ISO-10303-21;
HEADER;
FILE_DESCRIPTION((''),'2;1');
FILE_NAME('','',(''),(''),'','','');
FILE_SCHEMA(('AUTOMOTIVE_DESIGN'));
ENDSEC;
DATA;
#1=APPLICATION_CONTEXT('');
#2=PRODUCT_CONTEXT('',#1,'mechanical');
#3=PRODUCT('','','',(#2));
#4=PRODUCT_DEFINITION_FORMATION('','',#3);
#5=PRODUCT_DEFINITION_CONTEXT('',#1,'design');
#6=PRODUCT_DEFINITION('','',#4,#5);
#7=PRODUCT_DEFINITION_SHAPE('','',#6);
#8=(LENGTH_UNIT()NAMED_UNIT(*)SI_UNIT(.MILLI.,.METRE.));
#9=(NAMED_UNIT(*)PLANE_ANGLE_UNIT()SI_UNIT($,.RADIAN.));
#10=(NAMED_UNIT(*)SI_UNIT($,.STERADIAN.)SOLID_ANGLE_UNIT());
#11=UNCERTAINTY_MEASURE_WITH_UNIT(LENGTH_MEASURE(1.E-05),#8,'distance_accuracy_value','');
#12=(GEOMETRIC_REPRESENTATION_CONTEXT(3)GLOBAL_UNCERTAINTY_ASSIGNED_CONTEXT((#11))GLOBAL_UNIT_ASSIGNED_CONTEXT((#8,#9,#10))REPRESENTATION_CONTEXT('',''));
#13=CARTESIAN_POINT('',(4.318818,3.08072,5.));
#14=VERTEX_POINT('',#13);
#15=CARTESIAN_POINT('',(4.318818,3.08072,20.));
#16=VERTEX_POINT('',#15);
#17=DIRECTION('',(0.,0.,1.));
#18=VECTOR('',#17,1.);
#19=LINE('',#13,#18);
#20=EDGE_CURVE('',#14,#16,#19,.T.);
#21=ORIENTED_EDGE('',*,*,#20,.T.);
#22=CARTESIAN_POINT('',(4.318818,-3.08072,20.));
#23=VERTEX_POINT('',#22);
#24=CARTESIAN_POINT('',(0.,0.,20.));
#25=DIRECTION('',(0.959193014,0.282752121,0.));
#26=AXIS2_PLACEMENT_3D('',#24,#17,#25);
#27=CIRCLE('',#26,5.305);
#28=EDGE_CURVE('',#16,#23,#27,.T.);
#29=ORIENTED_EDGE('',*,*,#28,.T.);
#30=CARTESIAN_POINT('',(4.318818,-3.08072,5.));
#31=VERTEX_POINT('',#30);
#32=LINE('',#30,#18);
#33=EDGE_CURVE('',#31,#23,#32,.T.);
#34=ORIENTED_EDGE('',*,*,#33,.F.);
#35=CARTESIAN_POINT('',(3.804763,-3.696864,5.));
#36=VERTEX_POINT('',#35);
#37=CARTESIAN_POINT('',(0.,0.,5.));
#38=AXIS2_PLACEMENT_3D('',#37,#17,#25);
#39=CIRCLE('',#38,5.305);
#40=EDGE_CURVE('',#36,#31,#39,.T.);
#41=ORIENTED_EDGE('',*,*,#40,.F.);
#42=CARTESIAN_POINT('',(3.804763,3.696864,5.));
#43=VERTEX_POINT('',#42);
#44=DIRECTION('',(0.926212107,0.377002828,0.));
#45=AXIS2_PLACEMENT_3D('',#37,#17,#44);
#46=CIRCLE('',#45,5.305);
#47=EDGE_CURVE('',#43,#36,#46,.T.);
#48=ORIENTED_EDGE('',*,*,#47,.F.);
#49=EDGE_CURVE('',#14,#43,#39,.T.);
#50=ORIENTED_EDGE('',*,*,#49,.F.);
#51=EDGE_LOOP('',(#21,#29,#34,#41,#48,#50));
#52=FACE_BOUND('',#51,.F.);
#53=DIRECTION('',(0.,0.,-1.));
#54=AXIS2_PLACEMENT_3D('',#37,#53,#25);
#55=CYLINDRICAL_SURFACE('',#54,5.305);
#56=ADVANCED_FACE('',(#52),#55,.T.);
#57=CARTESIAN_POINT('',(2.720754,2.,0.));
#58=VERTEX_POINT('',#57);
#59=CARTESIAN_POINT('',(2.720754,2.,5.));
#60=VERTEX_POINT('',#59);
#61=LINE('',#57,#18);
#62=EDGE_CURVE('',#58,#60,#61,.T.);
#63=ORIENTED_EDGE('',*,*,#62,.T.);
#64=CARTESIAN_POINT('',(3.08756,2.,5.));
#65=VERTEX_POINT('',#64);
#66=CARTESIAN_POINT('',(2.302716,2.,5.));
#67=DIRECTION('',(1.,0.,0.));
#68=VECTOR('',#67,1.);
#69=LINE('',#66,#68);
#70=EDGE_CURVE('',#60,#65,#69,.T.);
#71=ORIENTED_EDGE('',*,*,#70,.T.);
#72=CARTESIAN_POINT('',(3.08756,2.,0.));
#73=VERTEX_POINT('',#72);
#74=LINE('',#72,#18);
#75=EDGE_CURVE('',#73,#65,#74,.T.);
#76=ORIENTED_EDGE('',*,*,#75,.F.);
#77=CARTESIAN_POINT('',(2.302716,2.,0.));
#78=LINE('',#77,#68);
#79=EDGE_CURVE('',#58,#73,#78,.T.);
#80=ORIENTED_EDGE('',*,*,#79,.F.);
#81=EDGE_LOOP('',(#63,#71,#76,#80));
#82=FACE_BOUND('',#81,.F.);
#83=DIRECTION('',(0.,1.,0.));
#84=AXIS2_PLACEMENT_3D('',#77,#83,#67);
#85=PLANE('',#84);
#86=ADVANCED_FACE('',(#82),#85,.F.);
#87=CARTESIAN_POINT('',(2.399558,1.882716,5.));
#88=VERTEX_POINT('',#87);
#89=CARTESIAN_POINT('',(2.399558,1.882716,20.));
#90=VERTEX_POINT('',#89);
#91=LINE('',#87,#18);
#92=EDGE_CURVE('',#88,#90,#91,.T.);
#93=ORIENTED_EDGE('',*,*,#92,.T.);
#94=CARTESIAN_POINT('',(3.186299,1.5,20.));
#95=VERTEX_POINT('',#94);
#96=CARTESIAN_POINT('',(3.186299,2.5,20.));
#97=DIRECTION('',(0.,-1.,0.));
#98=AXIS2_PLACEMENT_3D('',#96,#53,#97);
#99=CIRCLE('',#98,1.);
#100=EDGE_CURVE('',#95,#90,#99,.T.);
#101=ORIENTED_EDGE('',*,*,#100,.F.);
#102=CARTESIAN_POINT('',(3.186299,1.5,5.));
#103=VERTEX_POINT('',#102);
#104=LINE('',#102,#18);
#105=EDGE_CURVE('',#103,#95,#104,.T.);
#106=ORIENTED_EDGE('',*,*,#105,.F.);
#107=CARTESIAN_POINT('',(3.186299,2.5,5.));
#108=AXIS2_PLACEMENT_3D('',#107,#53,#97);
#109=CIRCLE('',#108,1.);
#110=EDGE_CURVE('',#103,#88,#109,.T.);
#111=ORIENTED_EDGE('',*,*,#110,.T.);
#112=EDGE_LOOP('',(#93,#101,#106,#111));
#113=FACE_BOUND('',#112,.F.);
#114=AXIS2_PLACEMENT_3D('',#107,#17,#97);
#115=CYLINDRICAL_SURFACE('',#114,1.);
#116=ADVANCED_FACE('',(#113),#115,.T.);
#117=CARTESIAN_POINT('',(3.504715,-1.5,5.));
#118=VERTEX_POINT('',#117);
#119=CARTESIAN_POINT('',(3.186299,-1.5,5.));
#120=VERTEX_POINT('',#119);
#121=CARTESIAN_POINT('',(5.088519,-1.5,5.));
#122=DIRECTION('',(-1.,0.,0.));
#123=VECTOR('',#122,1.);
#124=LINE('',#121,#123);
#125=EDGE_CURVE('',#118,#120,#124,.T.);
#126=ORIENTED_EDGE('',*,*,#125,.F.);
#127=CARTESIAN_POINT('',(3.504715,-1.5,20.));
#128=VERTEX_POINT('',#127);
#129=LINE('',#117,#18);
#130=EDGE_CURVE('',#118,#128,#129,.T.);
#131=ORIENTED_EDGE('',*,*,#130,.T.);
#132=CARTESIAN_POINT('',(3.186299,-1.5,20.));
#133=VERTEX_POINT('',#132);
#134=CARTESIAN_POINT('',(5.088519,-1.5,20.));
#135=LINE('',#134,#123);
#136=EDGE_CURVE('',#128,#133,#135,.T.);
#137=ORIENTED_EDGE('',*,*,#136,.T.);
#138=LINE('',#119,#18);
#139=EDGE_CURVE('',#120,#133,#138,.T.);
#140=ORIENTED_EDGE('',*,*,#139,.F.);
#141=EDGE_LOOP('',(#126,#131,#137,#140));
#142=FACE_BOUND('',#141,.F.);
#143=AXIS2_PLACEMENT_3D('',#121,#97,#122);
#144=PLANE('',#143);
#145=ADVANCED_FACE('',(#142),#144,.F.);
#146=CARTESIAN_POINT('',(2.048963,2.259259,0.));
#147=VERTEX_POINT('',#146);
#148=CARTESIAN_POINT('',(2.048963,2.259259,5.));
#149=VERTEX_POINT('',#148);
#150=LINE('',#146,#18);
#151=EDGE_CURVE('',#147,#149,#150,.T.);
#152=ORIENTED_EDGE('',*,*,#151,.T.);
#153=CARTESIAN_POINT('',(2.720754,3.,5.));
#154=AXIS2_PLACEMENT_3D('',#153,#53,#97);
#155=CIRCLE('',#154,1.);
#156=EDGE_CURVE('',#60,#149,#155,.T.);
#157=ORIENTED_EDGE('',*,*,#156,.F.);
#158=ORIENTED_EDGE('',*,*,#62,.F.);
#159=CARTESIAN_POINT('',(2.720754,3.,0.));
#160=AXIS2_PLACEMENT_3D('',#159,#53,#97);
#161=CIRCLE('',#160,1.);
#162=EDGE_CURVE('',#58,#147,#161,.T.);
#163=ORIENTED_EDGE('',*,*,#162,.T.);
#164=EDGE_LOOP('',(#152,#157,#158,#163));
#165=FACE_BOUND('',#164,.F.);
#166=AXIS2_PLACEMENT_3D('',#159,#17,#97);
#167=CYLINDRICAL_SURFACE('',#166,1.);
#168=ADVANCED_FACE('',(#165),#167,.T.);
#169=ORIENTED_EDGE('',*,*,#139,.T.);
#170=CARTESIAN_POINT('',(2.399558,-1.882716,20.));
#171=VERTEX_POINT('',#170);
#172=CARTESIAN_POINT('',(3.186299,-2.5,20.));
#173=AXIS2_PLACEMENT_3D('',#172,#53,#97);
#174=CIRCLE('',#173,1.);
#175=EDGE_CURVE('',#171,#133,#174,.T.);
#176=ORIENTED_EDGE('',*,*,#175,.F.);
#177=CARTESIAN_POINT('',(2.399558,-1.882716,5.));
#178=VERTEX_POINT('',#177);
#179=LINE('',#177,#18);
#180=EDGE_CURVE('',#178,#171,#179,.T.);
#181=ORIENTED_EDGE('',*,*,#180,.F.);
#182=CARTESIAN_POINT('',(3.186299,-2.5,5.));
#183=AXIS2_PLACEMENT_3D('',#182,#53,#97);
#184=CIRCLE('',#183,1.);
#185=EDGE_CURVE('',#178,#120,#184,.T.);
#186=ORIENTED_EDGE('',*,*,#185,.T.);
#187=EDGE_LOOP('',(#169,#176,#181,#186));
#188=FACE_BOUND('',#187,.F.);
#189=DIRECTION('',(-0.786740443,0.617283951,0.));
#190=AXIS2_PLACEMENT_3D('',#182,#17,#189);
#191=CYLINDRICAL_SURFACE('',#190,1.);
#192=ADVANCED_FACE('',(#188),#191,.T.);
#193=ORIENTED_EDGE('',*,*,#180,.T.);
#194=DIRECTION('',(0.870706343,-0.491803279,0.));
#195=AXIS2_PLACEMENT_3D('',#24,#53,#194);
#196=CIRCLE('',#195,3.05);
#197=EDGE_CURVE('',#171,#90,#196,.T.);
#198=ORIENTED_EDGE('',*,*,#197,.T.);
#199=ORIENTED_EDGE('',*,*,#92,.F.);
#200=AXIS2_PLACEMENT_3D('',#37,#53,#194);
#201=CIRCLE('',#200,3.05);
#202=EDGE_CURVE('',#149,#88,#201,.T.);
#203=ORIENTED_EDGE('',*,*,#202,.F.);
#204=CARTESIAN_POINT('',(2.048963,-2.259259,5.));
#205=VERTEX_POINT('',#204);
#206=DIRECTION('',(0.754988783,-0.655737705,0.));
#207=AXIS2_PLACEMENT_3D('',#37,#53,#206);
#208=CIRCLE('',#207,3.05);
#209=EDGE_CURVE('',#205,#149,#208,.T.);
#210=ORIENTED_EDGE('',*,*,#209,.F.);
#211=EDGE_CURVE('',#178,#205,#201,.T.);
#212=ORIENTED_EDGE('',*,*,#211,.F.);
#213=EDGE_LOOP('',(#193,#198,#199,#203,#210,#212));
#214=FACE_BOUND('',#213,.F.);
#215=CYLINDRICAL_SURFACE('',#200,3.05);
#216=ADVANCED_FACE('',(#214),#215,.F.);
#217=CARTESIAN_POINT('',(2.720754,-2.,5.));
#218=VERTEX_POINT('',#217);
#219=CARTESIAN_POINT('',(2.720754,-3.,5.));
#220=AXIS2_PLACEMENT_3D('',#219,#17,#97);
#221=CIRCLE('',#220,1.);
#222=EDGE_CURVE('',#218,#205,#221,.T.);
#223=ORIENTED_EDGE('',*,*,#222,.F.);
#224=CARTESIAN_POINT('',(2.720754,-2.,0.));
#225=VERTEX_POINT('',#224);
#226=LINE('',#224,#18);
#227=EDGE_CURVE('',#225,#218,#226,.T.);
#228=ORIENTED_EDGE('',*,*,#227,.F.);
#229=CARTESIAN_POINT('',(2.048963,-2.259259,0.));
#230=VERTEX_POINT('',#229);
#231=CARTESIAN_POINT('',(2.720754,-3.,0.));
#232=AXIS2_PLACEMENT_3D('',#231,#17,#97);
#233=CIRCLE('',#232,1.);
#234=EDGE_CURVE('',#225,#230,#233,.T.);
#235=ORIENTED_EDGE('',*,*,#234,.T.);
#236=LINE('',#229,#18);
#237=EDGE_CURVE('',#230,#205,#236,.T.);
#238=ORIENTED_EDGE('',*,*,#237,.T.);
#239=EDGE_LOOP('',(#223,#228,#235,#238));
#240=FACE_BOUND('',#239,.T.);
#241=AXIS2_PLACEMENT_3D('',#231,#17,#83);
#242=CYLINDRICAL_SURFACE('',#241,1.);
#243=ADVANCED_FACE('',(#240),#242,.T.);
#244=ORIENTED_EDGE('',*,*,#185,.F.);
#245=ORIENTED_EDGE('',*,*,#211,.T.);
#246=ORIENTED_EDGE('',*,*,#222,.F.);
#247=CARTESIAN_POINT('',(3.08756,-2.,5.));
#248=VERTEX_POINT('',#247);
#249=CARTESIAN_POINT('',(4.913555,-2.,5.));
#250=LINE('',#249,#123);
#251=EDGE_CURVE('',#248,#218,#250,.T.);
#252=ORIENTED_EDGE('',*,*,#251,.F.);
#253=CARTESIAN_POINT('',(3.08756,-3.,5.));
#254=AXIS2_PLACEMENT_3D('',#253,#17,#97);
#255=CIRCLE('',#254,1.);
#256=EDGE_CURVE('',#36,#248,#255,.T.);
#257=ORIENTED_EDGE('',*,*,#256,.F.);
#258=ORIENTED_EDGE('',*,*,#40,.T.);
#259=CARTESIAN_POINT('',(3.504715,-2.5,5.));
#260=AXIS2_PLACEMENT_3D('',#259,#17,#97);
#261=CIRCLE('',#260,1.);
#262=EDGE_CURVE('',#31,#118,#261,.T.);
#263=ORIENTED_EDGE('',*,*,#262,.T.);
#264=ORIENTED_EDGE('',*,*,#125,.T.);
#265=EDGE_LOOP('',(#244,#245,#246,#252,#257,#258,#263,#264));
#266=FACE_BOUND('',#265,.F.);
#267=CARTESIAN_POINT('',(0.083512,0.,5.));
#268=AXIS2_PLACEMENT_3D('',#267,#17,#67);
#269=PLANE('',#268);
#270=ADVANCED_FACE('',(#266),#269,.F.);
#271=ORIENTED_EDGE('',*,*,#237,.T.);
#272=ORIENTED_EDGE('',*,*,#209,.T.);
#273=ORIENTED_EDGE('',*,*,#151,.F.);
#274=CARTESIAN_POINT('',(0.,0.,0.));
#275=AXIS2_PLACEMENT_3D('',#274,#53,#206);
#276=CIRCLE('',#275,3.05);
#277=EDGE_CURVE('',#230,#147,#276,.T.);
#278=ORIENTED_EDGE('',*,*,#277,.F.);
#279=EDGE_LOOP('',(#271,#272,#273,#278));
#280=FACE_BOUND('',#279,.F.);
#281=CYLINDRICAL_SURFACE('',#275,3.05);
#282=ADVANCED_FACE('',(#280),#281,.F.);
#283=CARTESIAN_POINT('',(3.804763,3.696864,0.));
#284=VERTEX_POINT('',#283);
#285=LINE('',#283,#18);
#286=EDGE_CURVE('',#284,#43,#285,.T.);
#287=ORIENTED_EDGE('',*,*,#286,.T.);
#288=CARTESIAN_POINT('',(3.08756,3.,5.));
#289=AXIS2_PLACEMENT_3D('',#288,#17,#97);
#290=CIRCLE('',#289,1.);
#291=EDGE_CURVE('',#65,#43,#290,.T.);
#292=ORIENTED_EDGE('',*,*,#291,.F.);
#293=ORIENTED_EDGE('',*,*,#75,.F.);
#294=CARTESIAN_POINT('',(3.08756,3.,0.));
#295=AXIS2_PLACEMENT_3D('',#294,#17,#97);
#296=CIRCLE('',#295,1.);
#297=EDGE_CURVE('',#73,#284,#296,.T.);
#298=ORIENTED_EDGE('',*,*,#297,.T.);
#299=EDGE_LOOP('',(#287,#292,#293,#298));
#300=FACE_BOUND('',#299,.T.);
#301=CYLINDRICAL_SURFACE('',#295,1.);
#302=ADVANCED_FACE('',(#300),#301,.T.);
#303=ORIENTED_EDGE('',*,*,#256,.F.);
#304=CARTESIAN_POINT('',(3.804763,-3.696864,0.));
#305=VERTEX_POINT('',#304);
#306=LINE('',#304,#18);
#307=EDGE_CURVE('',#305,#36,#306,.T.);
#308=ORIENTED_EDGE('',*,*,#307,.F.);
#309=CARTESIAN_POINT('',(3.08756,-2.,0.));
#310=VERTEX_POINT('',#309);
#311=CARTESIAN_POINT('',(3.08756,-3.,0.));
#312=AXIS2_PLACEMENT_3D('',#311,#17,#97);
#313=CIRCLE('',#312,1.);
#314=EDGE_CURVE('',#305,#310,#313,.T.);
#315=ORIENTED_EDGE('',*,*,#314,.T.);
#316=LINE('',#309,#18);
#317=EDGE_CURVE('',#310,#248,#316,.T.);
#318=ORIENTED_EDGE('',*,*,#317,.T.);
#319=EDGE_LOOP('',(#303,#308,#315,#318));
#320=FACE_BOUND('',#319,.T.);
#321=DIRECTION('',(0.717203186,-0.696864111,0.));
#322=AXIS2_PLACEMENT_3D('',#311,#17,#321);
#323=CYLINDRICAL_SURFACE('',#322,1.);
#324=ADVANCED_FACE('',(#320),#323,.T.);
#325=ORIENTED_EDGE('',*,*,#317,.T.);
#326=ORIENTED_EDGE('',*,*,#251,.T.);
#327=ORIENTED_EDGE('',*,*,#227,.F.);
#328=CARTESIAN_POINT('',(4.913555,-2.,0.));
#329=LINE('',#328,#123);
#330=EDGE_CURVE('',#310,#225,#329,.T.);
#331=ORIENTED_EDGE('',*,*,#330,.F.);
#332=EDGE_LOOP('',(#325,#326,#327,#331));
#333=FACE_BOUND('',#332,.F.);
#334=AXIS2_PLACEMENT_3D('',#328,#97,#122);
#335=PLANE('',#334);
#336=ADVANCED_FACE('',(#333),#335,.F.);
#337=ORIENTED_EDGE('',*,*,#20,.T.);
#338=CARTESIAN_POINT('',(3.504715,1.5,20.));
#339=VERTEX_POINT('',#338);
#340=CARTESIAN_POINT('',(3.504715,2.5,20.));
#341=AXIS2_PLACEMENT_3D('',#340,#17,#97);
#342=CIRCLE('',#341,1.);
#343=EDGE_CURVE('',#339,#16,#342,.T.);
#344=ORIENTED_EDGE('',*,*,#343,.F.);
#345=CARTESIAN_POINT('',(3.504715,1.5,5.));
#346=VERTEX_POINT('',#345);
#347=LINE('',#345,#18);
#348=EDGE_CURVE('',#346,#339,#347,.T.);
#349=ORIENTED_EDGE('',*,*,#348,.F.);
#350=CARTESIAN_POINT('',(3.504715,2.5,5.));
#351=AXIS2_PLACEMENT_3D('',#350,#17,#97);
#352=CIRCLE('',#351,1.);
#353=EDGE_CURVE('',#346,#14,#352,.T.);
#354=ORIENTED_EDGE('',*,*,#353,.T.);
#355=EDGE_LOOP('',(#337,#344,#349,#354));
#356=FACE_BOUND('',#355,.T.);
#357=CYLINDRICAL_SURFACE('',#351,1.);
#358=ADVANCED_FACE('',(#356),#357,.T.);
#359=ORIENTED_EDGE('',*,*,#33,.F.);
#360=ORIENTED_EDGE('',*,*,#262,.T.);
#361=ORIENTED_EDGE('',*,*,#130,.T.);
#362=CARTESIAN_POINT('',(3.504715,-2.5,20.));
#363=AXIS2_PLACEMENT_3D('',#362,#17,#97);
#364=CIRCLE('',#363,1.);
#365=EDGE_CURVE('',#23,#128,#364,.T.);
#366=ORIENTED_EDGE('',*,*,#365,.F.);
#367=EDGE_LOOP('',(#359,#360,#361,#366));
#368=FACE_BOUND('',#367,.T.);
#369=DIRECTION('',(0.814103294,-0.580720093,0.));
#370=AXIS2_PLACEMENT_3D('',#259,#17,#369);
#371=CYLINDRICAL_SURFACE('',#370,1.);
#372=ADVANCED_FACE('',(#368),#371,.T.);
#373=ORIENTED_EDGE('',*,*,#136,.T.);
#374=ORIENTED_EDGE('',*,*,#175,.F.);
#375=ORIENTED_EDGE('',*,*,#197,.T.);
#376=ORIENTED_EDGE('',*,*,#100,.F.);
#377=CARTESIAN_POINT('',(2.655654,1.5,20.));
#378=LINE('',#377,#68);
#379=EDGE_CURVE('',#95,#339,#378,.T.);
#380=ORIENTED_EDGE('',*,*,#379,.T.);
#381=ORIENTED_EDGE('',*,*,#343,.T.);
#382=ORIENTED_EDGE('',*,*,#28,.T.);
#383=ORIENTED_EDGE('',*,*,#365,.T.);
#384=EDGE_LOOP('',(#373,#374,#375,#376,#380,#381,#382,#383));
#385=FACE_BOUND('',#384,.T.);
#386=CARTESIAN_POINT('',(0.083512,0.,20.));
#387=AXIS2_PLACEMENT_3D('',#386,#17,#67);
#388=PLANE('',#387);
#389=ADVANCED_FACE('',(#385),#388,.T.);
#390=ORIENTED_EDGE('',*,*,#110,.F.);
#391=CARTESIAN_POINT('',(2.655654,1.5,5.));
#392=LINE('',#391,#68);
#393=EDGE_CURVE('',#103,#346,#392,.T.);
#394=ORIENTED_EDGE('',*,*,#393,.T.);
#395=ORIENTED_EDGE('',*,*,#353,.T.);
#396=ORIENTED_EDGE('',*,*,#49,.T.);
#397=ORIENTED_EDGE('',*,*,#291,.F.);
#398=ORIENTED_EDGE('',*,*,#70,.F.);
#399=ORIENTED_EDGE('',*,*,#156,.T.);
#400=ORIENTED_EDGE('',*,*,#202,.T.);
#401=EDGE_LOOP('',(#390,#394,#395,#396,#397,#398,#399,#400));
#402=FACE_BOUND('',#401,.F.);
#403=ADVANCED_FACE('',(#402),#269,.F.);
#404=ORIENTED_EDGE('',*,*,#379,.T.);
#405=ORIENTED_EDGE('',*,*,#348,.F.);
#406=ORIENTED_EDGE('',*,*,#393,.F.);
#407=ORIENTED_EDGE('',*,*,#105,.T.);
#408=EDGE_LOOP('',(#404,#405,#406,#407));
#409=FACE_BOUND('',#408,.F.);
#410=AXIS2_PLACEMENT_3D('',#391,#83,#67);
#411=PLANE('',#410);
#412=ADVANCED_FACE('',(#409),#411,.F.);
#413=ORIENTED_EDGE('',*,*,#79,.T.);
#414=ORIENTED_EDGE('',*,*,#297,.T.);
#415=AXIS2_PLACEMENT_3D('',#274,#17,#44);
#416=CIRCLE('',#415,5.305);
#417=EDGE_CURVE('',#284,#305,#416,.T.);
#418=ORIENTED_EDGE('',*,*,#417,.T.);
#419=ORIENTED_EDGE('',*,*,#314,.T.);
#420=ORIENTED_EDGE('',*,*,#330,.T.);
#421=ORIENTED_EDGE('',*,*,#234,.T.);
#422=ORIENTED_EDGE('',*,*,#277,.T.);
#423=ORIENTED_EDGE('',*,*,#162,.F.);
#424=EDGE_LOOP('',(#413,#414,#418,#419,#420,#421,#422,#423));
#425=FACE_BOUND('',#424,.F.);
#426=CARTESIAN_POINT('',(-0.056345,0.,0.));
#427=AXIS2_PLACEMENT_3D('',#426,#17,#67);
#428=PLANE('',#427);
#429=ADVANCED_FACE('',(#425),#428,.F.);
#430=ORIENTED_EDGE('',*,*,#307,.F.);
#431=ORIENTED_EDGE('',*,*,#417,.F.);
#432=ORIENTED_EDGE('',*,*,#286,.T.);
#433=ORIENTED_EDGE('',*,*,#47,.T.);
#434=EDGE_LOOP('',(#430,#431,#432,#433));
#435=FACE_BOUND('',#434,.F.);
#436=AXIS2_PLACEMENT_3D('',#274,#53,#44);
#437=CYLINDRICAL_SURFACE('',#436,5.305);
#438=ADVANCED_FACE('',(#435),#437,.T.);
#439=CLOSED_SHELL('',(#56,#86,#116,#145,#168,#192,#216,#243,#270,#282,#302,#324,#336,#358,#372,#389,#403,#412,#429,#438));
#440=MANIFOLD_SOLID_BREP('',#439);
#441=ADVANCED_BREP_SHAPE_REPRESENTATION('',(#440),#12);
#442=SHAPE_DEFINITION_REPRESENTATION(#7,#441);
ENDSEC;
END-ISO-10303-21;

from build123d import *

# Parameters (mm, degrees)
F1_DEPTH = 5
F2_R     = 1
F4_START = 5
F4_DEPTH = 15
F5_R     = 1


with BuildPart() as f1:
    # F0 (on Top) → F1 (new body)
    with BuildSketch(Plane.XY):
        with BuildLine():
            Line((2.3027157879, 2), (4.9135552302, 2))
            ThreePointArc((4.9135552302, 2), (-5.305, 0), (4.9135552302, -2))
            Line((4.9135552302, -2), (2.3027157879, -2))
            ThreePointArc((2.3027157879, -2), (-3.05, 0), (2.3027157879, 2))
        make_face()
    extrude(amount=F1_DEPTH)

    # F2
    f2_edges = [f1.edges().sort_by_distance(p)[0] for p in [
        (4.913555, 2, 2.5),
        (2.302716, 2, 2.5),
        (2.302716, -2, 2.5),
        (4.913555, -2, 2.5),
    ]]
    fillet(f2_edges, radius=F2_R)

    # F3 (on Top) → F4 (join)
    with BuildSketch(Plane.XY.offset(F4_START)):
        with BuildLine():
            Line((2.655654345, 1.5), (5.0885189397, 1.5))
            ThreePointArc((5.0885189397, 1.5), (-5.305, 0), (5.0885189397, -1.5))
            Line((5.0885189397, -1.5), (2.655654345, -1.5))
            ThreePointArc((2.655654345, -1.5), (-3.05, 0), (2.655654345, 1.5))
        make_face()
    extrude(amount=F4_DEPTH)

    # F5
    f5_edges = [f1.edges().sort_by_distance(p)[0] for p in [
        (5.088519, -1.5, 12.5),
        (5.088519, 1.5, 12.5),
        (2.655654, -1.5, 12.5),
        (2.655654, 1.5, 12.5),
    ]]
    fillet(f5_edges, radius=F5_R)


solid = f1.part
